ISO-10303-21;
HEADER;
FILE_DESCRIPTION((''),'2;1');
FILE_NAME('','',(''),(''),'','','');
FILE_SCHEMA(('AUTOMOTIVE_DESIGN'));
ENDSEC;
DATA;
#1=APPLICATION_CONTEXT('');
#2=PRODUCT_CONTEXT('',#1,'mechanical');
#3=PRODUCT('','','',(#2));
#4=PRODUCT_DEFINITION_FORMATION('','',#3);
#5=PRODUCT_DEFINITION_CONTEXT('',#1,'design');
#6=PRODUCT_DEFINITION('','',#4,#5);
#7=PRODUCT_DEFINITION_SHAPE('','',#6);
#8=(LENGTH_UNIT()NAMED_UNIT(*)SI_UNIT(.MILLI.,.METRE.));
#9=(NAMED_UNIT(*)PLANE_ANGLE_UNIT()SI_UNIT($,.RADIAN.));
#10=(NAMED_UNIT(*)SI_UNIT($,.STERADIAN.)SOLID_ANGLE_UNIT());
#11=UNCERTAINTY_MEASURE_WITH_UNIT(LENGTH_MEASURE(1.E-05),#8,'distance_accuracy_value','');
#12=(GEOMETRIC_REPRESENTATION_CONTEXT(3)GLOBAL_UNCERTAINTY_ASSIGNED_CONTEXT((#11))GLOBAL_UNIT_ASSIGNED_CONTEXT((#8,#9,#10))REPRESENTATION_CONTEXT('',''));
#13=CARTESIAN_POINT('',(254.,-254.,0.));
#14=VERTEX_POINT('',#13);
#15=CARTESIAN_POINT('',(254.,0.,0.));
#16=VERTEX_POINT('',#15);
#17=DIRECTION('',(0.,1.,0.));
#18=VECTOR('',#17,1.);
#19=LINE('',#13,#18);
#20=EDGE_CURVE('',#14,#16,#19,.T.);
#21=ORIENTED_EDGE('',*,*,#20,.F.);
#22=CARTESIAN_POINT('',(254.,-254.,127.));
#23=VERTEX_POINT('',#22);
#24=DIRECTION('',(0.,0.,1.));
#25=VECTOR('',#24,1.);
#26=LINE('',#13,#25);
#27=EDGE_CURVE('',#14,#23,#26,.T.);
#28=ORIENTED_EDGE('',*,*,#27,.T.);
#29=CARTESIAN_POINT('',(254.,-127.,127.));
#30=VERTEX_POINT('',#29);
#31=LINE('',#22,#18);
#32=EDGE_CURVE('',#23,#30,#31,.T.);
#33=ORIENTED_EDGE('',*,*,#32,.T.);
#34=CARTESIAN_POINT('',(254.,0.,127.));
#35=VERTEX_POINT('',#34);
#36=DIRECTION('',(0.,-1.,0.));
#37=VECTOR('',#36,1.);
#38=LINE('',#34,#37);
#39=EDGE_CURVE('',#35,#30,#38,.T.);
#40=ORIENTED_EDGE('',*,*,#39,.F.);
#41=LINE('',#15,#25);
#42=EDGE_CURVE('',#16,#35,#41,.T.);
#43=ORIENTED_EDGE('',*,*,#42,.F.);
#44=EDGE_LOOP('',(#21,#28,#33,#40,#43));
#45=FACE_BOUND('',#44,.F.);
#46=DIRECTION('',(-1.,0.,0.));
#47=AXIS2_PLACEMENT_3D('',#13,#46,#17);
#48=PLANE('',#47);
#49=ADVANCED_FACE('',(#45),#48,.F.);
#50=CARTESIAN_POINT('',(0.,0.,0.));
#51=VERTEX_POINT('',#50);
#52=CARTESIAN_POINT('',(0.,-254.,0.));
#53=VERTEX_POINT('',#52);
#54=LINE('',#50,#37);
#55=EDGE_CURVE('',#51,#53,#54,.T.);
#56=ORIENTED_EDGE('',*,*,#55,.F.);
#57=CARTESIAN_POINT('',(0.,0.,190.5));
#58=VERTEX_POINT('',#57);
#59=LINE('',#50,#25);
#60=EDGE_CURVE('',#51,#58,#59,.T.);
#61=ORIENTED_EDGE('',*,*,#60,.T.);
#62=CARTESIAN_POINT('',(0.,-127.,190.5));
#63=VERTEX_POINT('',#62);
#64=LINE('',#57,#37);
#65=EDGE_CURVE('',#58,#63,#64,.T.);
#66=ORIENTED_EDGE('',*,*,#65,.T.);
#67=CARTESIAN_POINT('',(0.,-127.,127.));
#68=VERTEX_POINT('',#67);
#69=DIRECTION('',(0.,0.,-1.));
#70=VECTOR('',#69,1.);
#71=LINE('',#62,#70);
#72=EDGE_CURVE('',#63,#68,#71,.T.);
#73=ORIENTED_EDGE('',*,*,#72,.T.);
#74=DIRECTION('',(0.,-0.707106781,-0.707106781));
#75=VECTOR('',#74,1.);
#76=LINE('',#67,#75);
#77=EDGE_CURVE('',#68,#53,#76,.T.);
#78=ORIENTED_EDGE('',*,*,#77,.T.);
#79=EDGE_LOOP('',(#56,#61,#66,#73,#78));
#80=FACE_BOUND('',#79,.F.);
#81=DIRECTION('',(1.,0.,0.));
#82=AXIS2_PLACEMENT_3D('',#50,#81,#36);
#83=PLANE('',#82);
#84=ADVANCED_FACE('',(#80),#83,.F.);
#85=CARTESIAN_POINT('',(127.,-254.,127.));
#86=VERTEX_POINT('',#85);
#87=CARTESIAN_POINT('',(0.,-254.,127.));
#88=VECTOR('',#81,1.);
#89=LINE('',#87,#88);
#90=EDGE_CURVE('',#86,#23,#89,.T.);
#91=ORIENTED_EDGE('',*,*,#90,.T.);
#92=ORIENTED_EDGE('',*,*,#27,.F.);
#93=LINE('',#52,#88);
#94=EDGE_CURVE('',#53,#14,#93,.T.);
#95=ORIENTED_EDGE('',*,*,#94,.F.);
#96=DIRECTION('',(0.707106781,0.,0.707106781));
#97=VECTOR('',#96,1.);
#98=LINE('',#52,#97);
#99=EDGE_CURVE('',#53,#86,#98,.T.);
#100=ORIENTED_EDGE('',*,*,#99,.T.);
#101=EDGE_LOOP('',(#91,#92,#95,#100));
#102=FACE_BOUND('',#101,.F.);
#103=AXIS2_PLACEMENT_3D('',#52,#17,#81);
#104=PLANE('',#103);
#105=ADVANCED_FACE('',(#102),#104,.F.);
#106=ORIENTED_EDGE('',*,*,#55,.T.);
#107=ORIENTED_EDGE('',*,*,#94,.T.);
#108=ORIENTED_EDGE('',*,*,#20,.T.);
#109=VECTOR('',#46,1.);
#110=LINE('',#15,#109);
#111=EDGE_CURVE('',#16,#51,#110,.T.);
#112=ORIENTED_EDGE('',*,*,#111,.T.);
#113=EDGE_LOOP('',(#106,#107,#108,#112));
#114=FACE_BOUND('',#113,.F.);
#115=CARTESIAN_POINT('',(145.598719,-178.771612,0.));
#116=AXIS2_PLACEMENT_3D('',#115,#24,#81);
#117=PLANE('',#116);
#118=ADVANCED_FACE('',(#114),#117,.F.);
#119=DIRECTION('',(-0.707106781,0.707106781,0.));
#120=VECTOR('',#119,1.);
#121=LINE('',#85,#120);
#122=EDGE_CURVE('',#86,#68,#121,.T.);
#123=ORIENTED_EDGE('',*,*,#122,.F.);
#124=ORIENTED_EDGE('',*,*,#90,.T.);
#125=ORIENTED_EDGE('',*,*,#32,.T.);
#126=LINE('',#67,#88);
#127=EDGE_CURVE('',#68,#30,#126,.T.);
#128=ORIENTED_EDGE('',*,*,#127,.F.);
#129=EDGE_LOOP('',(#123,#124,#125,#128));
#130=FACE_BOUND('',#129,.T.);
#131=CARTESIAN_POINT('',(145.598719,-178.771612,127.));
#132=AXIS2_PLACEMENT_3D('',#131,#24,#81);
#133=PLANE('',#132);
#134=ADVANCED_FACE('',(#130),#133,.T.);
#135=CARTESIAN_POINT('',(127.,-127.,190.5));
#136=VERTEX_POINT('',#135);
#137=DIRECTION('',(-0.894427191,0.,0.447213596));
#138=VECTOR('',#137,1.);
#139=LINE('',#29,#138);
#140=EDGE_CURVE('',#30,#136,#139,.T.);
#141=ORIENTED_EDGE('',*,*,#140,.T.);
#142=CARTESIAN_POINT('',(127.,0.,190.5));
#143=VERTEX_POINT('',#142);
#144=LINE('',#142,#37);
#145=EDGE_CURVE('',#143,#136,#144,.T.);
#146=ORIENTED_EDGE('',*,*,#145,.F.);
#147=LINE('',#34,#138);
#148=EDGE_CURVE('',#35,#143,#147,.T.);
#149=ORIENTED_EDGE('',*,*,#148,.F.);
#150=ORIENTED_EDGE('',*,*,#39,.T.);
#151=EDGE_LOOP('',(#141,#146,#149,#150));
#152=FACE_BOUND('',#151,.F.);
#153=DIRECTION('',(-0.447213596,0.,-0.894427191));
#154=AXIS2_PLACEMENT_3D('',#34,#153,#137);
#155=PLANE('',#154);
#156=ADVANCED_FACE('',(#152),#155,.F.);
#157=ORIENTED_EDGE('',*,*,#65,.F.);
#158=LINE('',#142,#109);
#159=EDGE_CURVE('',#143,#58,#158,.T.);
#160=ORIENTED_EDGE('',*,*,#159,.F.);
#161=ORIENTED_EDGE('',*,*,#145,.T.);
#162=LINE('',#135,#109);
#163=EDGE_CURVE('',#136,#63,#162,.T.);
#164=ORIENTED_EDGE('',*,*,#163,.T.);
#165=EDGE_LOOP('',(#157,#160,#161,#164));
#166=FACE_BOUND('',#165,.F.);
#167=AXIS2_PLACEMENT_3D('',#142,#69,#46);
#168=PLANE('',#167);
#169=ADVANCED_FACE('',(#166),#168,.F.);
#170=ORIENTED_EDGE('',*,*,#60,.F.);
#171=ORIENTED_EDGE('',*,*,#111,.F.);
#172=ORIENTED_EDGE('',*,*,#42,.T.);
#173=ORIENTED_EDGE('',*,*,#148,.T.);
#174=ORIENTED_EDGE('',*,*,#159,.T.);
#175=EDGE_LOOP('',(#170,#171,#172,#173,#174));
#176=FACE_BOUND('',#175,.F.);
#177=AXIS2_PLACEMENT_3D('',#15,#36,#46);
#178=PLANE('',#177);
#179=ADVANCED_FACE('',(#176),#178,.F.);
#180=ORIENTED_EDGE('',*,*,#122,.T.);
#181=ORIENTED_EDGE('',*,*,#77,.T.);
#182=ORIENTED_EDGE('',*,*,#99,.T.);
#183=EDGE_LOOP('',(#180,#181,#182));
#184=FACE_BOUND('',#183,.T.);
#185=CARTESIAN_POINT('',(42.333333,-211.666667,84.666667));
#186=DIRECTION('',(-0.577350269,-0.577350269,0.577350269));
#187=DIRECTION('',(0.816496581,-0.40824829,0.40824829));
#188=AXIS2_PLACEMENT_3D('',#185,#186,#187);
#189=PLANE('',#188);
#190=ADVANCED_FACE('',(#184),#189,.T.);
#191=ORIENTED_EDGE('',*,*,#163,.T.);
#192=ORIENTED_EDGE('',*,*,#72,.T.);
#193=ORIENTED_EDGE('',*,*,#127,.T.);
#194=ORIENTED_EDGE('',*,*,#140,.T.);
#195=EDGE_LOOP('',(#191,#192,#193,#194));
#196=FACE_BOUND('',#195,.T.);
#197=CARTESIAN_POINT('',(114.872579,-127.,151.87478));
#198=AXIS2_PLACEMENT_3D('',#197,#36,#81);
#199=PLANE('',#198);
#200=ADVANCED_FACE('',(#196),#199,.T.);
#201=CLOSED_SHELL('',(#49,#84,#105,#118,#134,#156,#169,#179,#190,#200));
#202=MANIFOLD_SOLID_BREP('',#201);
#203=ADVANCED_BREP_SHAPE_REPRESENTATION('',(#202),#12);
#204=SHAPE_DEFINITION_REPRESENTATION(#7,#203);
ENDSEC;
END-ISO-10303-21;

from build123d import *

# Parameters (mm, degrees)
F3_DEPTH = 127
F2_W     = 127
F2_H     = 127
F4_DEPTH = 127
F8_DEPTH = 1092.2


with BuildPart() as f3:
    # F0 (on Front) → F3 (new body)
    with BuildSketch(Plane.XZ):
        Polygon((0, 190.5), (0, 127), (254, 127), (127, 190.5), align=None)
    extrude(amount=F3_DEPTH)

    # F2 (on Top) → F4 (join)
    with BuildSketch(Plane.XY):
        Polygon((127, -127), (0, -127), (127, -254), (254, -254), (254, -127), align=None)
        with Locations((190.5, -63.5)):
            Rectangle(F2_W, F2_H)
        with Locations((63.5, -63.5)):
            Rectangle(F2_W, F2_H)
        Polygon((127, -254), (0, -127), (0, -254), align=None)
    extrude(amount=F4_DEPTH)

    # F7 (on 3pt) → F8 (cut)
    with BuildSketch(Plane(origin=(-84.6666666667, -84.6666666667, 84.6666666667), x_dir=(0.8164965809, -0.4082482905, 0.4082482905), z_dir=(-0.5773502692, -0.5773502692, 0.5773502692))):
        Polygon((103.6950657778, 0), (103.6950657778, -179.6051224214), (259.2376644446, -89.8025612107), align=None)
    extrude(amount=F8_DEPTH, mode=Mode.SUBTRACT)


solid = f3.part
